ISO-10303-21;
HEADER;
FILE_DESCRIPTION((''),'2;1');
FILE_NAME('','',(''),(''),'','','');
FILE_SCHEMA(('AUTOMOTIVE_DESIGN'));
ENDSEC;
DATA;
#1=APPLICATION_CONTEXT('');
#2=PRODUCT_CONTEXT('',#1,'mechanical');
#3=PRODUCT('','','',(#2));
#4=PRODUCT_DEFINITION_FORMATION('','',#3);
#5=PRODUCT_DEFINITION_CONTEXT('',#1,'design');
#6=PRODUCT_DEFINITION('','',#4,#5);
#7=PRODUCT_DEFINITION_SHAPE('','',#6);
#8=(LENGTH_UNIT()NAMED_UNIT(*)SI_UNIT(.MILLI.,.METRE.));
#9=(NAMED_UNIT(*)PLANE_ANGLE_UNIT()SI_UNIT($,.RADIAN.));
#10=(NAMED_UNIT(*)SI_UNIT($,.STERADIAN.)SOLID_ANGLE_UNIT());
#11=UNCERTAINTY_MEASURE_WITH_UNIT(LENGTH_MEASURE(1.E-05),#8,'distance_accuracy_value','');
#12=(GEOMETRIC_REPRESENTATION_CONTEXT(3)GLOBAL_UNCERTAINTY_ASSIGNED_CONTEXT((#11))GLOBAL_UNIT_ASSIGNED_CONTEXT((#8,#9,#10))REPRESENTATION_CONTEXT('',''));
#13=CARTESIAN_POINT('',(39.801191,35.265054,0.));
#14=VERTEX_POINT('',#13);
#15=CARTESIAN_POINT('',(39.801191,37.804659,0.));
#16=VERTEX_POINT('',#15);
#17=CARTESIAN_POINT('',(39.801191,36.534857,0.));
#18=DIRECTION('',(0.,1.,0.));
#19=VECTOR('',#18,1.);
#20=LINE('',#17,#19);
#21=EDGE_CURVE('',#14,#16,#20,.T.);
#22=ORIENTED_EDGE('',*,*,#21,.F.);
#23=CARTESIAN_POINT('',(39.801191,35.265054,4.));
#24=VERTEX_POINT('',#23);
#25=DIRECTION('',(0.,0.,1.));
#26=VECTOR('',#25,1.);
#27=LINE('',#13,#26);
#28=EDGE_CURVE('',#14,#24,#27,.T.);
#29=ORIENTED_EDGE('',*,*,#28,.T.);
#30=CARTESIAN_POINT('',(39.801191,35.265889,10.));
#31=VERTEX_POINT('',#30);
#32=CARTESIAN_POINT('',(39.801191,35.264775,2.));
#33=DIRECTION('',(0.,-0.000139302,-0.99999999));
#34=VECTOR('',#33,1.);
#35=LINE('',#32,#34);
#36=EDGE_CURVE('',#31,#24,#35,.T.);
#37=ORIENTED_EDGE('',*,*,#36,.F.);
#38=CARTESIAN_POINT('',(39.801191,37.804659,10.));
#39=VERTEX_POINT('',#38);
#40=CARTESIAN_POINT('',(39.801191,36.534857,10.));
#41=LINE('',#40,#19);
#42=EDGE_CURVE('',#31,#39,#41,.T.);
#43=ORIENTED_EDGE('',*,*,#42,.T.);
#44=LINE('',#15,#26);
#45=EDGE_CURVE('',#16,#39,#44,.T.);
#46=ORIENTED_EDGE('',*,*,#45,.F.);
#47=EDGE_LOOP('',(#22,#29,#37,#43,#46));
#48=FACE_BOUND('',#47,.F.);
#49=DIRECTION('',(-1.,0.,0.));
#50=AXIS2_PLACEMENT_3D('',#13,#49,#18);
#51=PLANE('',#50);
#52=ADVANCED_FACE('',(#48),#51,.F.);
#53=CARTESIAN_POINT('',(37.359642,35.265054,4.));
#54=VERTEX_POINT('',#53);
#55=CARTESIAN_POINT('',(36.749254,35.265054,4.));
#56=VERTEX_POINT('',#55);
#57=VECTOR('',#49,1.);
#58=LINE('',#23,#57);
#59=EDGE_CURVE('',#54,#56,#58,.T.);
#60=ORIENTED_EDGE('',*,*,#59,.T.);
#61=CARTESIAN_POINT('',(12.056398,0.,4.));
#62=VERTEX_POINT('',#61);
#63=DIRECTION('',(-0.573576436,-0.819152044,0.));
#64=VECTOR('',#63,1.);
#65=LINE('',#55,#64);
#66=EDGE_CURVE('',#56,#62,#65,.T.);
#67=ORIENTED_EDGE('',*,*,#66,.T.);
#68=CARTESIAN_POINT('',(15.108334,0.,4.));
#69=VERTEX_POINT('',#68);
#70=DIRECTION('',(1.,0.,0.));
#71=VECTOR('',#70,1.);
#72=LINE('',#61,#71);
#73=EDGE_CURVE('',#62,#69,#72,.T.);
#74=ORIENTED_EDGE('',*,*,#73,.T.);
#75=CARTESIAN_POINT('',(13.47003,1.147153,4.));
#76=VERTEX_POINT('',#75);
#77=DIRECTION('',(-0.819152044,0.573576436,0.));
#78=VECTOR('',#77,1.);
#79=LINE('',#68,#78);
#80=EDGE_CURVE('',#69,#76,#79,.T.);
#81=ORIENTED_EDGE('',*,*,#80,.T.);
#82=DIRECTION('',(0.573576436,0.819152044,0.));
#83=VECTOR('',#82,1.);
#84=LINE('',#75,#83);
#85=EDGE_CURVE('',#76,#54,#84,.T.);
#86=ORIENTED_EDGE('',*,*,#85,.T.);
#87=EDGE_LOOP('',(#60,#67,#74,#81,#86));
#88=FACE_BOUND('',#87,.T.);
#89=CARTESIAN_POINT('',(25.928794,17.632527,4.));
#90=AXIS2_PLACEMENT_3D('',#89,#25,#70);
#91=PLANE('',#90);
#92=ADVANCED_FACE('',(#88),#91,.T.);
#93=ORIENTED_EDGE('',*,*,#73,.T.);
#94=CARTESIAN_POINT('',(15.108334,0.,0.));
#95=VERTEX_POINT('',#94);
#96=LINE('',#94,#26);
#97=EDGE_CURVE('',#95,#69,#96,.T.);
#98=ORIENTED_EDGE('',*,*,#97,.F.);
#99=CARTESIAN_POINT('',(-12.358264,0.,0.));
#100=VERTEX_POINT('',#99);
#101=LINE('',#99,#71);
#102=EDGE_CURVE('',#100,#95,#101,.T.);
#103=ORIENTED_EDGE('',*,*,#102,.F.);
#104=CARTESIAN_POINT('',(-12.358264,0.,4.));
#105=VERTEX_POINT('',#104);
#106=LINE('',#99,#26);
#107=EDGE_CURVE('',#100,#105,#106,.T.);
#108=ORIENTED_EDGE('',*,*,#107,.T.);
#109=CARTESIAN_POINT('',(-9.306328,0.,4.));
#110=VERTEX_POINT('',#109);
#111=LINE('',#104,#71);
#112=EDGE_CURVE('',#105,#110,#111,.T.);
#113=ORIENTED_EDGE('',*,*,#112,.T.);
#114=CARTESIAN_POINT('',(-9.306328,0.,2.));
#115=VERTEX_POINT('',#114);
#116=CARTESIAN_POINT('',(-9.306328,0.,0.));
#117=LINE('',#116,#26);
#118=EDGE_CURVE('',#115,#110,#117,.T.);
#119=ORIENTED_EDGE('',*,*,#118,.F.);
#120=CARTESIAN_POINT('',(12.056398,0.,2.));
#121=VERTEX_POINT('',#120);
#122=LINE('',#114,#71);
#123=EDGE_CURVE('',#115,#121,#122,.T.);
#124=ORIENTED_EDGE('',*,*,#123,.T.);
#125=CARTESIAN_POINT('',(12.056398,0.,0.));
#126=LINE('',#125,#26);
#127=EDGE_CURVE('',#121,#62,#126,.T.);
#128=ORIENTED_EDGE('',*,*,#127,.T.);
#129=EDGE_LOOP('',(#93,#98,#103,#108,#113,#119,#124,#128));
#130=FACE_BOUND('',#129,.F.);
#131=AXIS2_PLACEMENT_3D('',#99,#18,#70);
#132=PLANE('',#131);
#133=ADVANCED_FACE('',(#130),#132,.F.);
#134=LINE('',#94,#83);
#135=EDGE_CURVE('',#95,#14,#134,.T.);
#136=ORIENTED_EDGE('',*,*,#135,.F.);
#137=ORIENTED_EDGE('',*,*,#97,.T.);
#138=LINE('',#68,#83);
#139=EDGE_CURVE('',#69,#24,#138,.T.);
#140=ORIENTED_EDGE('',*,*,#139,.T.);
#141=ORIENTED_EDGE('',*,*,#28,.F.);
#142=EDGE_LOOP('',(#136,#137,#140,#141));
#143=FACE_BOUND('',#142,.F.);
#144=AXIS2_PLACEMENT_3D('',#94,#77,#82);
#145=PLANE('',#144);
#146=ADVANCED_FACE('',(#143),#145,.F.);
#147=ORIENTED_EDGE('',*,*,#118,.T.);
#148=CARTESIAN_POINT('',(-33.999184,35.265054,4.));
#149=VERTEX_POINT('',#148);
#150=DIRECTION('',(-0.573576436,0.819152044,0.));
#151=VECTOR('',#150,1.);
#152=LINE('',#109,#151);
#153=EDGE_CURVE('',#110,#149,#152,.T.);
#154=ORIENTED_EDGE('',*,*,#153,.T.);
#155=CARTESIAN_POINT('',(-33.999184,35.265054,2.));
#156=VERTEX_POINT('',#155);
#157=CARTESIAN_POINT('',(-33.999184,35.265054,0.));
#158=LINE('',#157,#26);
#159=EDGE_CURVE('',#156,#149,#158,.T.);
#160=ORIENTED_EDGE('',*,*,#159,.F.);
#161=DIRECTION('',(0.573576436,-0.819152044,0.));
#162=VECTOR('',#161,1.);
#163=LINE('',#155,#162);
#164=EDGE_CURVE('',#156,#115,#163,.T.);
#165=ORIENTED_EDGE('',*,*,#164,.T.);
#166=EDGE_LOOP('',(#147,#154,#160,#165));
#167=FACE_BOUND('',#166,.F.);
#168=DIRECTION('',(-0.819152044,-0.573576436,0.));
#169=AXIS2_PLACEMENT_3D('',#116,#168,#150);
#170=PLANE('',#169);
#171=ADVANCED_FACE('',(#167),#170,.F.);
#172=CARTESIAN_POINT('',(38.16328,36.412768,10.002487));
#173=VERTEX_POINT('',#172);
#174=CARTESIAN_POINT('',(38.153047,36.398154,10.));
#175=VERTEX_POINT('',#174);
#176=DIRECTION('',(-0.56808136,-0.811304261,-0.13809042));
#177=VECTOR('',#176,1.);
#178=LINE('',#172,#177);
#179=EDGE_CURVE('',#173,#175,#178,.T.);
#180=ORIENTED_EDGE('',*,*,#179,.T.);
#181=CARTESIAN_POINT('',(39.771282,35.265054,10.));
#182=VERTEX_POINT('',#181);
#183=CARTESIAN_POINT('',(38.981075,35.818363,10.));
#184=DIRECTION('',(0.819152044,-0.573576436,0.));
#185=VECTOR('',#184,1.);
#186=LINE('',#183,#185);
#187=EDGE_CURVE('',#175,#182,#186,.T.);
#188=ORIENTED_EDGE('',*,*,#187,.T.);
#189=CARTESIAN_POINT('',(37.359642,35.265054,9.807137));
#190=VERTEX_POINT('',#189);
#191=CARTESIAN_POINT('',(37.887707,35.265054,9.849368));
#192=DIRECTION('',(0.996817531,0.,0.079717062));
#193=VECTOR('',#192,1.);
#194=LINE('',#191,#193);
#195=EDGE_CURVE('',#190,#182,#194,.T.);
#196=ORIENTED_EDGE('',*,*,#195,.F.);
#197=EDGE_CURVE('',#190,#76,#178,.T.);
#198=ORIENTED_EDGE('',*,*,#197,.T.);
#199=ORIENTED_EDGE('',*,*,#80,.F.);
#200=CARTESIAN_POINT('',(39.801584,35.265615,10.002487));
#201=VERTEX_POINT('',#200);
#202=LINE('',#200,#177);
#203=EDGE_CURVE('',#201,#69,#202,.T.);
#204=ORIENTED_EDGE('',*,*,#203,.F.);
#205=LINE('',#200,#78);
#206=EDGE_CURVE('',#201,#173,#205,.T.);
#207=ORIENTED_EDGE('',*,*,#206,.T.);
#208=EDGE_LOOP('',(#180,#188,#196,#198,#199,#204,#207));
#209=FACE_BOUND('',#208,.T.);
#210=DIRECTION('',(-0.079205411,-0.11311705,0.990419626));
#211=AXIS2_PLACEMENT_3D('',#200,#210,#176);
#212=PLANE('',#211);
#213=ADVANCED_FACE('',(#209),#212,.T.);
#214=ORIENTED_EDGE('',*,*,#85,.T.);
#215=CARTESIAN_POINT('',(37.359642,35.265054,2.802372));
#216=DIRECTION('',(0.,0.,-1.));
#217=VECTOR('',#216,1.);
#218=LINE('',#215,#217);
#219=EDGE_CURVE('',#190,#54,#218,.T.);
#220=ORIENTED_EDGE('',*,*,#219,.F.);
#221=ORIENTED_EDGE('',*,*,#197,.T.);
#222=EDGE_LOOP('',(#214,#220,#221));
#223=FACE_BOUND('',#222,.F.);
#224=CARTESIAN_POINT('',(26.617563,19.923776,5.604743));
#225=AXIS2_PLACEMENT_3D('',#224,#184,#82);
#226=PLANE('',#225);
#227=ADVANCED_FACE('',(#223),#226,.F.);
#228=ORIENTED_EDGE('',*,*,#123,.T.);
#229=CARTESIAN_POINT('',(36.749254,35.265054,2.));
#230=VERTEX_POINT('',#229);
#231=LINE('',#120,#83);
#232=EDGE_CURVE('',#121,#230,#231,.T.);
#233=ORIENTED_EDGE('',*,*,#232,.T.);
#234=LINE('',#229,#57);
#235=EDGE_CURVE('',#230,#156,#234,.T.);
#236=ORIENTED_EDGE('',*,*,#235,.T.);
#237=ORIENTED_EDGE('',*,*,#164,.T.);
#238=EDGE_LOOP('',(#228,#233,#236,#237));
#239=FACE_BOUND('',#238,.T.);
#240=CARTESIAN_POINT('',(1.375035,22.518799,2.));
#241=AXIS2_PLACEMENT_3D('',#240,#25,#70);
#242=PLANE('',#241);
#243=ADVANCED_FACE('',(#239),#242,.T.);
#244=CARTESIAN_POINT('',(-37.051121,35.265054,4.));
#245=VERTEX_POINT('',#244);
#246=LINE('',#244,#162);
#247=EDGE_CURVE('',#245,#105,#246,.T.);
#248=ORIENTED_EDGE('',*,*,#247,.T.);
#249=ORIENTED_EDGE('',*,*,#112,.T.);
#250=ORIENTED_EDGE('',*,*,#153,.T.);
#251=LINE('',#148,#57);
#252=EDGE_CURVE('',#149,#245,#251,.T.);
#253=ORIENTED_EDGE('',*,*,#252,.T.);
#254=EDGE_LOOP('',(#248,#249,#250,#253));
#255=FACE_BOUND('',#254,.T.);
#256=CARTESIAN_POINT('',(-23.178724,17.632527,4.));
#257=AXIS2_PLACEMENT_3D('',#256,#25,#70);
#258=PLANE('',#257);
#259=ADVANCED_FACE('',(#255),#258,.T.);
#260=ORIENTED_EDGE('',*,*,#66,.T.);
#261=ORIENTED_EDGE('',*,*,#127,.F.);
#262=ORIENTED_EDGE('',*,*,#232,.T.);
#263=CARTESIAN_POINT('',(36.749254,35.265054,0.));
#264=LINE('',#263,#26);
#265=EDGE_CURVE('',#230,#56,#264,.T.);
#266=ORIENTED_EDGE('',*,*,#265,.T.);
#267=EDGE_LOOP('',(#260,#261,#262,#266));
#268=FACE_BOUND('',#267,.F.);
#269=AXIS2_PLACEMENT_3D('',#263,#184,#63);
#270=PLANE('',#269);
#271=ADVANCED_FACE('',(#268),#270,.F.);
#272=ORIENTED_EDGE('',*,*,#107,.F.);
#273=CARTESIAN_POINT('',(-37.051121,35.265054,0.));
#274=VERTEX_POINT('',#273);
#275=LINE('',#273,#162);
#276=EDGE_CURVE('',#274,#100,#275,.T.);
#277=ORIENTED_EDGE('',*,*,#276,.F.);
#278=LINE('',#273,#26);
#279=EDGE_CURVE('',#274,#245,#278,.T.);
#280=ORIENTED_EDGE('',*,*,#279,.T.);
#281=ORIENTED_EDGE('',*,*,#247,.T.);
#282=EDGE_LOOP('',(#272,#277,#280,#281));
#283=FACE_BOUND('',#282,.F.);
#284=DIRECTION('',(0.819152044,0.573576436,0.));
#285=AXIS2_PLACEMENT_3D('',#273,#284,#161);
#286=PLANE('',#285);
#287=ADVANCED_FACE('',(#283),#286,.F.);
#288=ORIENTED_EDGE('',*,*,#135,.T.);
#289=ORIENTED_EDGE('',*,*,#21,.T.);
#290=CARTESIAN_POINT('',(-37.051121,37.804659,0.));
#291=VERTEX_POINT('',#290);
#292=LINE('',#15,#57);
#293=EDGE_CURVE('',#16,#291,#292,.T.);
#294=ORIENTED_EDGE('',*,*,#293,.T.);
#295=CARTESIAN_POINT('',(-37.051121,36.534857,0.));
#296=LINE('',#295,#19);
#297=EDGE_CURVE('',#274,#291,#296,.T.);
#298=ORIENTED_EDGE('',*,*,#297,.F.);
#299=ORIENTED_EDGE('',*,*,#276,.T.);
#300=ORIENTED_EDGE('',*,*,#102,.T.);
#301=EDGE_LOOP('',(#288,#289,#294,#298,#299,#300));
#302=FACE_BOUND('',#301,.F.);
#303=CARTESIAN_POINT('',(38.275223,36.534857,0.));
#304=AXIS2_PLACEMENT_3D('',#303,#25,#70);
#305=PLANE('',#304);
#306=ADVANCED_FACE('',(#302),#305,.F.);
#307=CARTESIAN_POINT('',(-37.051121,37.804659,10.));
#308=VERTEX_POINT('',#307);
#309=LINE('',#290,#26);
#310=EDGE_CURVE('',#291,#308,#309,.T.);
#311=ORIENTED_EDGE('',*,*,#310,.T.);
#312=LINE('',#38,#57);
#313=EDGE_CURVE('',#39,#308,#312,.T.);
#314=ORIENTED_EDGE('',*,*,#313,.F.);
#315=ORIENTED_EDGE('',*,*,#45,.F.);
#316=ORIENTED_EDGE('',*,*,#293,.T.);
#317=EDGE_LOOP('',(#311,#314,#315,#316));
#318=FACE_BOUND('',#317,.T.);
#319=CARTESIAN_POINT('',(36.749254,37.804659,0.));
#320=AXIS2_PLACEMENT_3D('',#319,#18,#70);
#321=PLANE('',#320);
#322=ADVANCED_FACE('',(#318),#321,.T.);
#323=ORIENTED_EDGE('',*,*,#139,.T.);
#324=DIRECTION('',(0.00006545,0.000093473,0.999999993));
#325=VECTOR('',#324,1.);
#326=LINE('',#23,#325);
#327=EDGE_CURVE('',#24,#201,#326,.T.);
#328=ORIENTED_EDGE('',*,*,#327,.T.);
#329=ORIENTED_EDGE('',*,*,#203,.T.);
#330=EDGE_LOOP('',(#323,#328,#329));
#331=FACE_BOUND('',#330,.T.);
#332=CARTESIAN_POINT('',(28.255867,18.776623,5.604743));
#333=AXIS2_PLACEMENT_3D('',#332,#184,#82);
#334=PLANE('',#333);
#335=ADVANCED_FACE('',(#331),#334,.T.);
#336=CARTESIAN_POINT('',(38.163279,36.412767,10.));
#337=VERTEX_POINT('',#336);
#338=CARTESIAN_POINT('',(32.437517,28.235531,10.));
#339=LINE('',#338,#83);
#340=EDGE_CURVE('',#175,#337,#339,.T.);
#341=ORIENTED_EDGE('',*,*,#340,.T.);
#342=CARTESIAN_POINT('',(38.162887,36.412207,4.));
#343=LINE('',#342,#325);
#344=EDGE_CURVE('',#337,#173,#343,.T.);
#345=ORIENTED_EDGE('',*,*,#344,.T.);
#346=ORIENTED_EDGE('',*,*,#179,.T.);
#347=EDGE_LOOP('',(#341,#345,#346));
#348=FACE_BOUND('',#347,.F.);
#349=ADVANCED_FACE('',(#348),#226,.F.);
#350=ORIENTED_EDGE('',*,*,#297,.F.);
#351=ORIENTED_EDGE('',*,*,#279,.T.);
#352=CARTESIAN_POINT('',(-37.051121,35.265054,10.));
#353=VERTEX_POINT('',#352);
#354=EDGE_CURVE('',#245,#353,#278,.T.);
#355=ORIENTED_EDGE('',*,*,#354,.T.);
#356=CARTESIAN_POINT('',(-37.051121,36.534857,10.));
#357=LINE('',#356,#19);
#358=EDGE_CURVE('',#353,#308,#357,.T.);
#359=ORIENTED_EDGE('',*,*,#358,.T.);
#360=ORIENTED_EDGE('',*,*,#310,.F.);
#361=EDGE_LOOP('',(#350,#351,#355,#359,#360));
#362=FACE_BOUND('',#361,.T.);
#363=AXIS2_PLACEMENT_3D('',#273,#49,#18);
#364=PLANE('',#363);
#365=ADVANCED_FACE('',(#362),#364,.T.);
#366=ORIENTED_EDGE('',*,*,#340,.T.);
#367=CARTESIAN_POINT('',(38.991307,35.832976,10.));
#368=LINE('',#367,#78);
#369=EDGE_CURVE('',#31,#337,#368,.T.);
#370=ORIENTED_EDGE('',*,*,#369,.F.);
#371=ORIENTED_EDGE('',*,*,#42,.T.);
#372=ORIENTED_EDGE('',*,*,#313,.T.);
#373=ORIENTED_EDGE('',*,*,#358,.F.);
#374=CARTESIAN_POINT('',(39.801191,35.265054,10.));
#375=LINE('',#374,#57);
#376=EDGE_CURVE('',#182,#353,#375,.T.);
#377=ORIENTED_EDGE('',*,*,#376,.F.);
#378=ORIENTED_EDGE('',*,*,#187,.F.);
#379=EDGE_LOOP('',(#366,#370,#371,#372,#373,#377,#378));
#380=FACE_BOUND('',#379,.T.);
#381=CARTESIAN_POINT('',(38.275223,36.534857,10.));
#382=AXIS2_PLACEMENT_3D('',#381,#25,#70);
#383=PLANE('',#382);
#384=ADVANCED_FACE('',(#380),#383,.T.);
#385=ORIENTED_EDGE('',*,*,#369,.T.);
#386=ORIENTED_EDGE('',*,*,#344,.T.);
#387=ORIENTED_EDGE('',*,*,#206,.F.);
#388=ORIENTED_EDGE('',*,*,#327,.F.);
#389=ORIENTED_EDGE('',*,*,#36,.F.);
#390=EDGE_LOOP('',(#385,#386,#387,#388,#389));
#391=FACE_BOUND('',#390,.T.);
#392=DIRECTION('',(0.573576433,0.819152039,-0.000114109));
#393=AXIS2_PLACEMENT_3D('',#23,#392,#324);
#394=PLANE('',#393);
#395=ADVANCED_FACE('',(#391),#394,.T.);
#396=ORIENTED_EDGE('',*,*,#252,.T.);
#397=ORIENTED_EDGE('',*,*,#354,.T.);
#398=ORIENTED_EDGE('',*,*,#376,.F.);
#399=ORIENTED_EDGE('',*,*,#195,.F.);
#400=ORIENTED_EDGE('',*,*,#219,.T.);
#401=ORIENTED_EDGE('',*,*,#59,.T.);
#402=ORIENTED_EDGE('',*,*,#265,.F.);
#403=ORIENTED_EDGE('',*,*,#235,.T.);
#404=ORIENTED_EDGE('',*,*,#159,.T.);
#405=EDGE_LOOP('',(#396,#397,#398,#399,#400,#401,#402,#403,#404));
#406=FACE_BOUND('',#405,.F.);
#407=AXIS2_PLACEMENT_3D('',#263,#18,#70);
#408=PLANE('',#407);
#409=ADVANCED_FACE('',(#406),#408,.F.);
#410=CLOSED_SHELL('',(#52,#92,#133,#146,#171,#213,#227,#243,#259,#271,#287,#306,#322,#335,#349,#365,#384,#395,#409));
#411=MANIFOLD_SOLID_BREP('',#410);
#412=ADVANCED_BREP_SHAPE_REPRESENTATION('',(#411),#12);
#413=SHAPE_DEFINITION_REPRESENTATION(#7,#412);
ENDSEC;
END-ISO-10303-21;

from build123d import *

# Parameters (mm, degrees)
F1_DEPTH = 2
F2_DEPTH = 4
F0_W     = 70.7484384206
F0_H     = 2.5396057816
F3_DEPTH = 10
F0_W_2   = 3.0519364719
F4_DEPTH = 10
F6_DEPTH = 2


with BuildPart() as f1:
    # F0 (on Top) → F1 (new body)
    with BuildSketch(Plane.XY):
        Polygon((-33.9991840492, 35.2650536744), (-9.306327631, 0), (12.0563979532, 0), (36.7492543714, 35.2650536744), align=None)
    extrude(amount=F1_DEPTH)

    # F0 (on Top) → F2 (join)
    with BuildSketch(Plane.XY):
        Polygon((-37.0511205211, 35.2650536744), (-12.3582641029, 0), (-9.306327631, 0), (-33.9991840492, 35.2650536744), align=None)
        Polygon((36.7492543714, 35.2650536744), (12.0563979532, 0), (15.1083344251, 0), (39.8011908433, 35.2650536744), align=None)
    extrude(amount=F2_DEPTH)



with BuildPart() as f3:
    # F0 (on Top) → F3 (new body)
    with BuildSketch(Plane.XY):
        with Locations((1.3750351611, 36.5348565652)):
            Rectangle(F0_W, F0_H)
    extrude(amount=F3_DEPTH)


with BuildPart() as f1_1:
    add(f1.part)

    add(f3.part)  # F4 merges F3
    # F0 (on Top) → F4 (join)
    with BuildSketch(Plane.XY):
        with Locations((38.2752226073, 36.5348565652)):
            Rectangle(F0_W_2, F0_H)
        with Locations((-35.5251522851, 36.5348565652)):
            Rectangle(F0_W_2, F0_H)
    extrude(amount=F4_DEPTH)

    # F5 (on face) → F6 (join)
    with BuildSketch(Plane(origin=(10.1378445653, -7.0985951858, 0), x_dir=(0.5735764364, 0.8191520443, 0), z_dir=(0.8191520443, -0.5735764364, 0))):
        Polygon((51.7171509564, 10.0024873391), (8.6657846187, 4), (51.7164660158, 4), align=None)
    extrude(amount=-F6_DEPTH)


solid = f1_1.part
